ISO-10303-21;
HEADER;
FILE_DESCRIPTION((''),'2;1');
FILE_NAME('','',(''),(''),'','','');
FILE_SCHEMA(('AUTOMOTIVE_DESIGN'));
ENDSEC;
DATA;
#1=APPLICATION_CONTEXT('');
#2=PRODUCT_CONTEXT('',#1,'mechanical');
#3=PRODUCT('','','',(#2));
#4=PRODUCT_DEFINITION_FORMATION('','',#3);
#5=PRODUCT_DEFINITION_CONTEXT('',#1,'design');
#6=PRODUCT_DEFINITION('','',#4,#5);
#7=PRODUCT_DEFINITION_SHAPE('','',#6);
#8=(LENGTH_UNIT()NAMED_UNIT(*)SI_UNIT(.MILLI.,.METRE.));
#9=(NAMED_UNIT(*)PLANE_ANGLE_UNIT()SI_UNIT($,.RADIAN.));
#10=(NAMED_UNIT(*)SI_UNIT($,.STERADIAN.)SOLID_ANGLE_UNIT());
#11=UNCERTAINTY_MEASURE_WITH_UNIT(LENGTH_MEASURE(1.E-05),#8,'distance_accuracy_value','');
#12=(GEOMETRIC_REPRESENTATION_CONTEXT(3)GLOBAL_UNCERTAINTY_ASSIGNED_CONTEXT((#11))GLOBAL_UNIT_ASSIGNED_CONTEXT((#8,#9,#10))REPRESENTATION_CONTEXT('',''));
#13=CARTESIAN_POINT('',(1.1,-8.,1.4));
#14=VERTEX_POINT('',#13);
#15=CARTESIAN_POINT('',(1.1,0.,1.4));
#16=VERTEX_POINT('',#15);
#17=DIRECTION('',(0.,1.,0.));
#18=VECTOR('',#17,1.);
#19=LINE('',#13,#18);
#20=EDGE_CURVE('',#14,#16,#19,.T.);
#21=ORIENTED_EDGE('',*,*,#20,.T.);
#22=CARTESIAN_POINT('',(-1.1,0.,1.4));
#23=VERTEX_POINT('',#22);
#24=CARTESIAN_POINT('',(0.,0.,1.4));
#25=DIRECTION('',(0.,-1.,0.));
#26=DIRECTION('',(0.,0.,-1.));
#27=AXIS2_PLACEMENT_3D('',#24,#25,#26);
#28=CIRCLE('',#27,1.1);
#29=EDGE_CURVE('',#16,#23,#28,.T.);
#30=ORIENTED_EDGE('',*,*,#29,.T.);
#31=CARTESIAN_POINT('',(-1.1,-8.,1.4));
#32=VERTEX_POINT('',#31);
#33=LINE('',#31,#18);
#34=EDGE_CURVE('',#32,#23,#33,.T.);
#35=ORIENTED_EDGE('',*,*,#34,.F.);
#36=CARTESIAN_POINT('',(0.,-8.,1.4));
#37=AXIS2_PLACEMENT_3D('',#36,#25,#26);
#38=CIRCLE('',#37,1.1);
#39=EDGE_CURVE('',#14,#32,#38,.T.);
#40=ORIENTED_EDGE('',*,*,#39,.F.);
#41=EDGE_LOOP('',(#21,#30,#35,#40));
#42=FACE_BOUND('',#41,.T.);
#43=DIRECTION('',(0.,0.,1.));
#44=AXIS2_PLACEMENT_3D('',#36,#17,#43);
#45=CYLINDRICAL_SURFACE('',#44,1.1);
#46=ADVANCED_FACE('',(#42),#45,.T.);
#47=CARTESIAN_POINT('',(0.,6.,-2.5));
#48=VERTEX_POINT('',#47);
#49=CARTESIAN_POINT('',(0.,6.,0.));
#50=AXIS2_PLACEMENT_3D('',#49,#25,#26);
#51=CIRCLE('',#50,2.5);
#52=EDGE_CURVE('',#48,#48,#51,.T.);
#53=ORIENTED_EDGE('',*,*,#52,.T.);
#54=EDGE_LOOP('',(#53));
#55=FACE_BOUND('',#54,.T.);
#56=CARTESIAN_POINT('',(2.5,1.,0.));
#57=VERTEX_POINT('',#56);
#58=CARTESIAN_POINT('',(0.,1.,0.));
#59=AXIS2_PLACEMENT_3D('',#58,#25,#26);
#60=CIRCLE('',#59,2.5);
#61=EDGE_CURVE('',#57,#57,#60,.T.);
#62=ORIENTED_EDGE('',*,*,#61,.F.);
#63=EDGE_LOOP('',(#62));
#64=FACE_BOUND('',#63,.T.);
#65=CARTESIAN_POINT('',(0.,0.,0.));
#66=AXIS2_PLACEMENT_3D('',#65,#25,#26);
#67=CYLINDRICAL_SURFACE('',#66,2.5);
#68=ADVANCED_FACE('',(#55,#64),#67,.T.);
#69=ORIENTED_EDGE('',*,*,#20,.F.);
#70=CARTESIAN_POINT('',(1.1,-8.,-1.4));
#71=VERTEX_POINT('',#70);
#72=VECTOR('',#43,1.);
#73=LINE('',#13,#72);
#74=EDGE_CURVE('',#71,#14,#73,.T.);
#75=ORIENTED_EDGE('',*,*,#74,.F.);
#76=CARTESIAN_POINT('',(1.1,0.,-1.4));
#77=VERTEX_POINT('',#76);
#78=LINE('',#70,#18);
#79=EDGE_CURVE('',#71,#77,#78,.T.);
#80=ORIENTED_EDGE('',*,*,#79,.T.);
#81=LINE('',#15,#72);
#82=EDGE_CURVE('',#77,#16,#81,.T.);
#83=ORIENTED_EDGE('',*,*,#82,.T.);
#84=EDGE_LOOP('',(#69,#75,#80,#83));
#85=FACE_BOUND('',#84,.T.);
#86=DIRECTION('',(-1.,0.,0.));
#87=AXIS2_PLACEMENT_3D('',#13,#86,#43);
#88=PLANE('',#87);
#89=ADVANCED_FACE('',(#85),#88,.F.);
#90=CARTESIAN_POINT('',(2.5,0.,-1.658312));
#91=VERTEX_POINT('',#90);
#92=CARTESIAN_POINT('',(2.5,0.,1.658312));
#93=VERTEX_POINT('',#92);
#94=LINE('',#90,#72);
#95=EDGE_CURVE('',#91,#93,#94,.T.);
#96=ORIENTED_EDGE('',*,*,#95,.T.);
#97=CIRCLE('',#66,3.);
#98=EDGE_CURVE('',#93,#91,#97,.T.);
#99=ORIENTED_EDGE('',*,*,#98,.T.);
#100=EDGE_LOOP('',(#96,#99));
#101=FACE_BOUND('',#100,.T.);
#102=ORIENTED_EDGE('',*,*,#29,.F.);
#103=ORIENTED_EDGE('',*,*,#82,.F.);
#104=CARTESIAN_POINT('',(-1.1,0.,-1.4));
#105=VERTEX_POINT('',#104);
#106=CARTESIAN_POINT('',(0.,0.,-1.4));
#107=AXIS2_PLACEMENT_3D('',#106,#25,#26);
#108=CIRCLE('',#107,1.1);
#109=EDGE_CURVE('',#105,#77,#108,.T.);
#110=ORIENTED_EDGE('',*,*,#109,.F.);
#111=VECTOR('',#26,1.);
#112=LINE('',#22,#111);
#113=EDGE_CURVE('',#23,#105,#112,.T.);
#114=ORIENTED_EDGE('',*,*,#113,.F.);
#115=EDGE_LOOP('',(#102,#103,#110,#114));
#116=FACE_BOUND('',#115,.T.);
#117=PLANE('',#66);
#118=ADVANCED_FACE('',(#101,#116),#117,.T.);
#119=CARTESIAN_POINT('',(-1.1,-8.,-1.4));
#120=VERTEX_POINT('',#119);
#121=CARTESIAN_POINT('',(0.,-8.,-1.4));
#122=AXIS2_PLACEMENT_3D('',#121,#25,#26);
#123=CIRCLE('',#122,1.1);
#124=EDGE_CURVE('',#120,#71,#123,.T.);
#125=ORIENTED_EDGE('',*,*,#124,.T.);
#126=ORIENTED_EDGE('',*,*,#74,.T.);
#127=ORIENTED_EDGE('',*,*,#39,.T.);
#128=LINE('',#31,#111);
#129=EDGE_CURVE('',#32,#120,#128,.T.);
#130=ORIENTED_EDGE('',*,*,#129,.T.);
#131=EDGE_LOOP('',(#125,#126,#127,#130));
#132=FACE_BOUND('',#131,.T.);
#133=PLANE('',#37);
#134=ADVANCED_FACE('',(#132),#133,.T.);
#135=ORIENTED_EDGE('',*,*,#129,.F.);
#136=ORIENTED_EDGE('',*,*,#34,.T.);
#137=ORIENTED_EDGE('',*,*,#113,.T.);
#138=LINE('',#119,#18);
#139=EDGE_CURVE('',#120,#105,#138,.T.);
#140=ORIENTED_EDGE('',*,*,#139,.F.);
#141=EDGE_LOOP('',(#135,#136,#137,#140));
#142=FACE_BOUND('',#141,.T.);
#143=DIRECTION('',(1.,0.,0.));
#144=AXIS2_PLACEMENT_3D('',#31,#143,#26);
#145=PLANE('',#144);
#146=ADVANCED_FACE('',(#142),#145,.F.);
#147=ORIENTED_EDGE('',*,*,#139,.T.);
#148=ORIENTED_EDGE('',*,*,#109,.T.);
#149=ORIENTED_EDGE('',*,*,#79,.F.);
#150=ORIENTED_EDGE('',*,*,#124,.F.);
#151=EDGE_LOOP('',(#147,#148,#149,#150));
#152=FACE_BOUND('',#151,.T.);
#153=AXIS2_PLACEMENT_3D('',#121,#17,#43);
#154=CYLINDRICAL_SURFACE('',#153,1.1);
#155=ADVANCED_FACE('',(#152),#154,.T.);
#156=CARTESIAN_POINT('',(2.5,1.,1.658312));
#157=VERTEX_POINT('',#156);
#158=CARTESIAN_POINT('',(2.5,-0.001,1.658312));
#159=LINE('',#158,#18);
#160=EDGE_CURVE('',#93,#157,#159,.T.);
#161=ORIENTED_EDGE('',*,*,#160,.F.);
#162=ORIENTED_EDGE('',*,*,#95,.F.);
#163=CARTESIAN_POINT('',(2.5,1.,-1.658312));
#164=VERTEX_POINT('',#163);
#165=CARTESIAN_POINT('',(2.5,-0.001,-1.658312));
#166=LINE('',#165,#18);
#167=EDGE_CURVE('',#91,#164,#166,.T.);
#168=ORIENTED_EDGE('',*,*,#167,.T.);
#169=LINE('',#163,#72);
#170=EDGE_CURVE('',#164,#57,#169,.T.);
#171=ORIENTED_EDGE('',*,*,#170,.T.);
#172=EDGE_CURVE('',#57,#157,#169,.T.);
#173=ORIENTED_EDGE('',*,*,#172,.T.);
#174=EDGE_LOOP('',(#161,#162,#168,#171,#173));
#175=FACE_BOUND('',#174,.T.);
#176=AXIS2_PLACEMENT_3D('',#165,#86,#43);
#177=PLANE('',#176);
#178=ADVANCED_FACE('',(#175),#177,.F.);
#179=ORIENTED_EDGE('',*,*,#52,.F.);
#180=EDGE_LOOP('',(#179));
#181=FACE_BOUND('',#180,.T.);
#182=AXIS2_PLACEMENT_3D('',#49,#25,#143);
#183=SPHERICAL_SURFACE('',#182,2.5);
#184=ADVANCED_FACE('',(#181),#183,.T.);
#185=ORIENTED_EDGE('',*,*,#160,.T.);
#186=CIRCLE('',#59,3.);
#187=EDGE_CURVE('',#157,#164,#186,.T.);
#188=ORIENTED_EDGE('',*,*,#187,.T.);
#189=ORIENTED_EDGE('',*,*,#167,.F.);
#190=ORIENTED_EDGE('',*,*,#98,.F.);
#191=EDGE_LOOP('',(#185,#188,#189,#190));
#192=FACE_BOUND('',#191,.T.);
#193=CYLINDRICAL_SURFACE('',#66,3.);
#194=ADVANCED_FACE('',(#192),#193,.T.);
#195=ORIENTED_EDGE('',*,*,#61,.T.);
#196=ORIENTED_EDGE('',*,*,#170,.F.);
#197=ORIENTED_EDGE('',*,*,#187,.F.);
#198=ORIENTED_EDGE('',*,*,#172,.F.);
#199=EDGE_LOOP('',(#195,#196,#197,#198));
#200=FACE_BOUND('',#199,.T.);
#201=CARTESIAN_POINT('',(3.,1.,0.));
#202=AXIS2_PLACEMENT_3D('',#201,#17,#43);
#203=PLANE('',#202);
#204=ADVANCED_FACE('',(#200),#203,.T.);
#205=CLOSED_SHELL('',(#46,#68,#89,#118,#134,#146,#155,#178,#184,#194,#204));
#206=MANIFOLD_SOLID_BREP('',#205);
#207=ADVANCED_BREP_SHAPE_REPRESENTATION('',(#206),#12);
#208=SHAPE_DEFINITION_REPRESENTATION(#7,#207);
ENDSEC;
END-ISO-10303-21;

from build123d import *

# Parameters (mm, degrees)
CUT_EXTRUDE1_REACH  = 3
BOSS_EXTRUDE1_DEPTH = 8


with BuildPart() as part:
    # Sketch1 → Revolve1 (revolve)
    with BuildSketch(Plane.XY):
        with BuildLine():
            Line((0, 0), (0, 8.5))
            ThreePointArc((0, 8.5), (1.767766953, 7.767766953), (2.5, 6))
            Line((2.5, 6), (2.5, 1))
            Line((2.5, 1), (3, 1))
            Line((3, 1), (3, 0))
            Line((3, 0), (0, 0))
        make_face()
    revolve(axis=Axis((0, 0, 0), (0, 1, 0)))

    # Sketch2 → Cut-Extrude1 (cut, up to next)
    with BuildSketch(Plane(origin=(0, 1, 0), x_dir=(1, 0, 0), z_dir=(0, 1, 0)), mode=Mode.PRIVATE) as cut_extrude1_sk1:
        with BuildLine():
            Line((2.5, 1.658312395), (2.5, -1.658312395))
            ThreePointArc((2.5, -1.658312395), (3, 0), (2.5, 1.658312395))
        make_face()
    cut_extrude1_tool1 = extrude(cut_extrude1_sk1.sketch, amount=-CUT_EXTRUDE1_REACH, mode=Mode.PRIVATE) & part.part
    add(cut_extrude1_tool1.solids().sort_by_distance((2.701501, 1, 0))[0], mode=Mode.SUBTRACT)

    # Sketch3 → Boss-Extrude1 (add)
    with BuildSketch(Plane.XZ):
        with BuildLine():
            Line((1.1, 1.4), (1.1, -1.4))
            ThreePointArc((1.1, -1.4), (0, -2.5), (-1.1, -1.4))
            Line((-1.1, -1.4), (-1.1, 1.4))
            ThreePointArc((-1.1, 1.4), (0, 2.5), (1.1, 1.4))
        make_face()
    extrude(amount=BOSS_EXTRUDE1_DEPTH)


solid = part.part
